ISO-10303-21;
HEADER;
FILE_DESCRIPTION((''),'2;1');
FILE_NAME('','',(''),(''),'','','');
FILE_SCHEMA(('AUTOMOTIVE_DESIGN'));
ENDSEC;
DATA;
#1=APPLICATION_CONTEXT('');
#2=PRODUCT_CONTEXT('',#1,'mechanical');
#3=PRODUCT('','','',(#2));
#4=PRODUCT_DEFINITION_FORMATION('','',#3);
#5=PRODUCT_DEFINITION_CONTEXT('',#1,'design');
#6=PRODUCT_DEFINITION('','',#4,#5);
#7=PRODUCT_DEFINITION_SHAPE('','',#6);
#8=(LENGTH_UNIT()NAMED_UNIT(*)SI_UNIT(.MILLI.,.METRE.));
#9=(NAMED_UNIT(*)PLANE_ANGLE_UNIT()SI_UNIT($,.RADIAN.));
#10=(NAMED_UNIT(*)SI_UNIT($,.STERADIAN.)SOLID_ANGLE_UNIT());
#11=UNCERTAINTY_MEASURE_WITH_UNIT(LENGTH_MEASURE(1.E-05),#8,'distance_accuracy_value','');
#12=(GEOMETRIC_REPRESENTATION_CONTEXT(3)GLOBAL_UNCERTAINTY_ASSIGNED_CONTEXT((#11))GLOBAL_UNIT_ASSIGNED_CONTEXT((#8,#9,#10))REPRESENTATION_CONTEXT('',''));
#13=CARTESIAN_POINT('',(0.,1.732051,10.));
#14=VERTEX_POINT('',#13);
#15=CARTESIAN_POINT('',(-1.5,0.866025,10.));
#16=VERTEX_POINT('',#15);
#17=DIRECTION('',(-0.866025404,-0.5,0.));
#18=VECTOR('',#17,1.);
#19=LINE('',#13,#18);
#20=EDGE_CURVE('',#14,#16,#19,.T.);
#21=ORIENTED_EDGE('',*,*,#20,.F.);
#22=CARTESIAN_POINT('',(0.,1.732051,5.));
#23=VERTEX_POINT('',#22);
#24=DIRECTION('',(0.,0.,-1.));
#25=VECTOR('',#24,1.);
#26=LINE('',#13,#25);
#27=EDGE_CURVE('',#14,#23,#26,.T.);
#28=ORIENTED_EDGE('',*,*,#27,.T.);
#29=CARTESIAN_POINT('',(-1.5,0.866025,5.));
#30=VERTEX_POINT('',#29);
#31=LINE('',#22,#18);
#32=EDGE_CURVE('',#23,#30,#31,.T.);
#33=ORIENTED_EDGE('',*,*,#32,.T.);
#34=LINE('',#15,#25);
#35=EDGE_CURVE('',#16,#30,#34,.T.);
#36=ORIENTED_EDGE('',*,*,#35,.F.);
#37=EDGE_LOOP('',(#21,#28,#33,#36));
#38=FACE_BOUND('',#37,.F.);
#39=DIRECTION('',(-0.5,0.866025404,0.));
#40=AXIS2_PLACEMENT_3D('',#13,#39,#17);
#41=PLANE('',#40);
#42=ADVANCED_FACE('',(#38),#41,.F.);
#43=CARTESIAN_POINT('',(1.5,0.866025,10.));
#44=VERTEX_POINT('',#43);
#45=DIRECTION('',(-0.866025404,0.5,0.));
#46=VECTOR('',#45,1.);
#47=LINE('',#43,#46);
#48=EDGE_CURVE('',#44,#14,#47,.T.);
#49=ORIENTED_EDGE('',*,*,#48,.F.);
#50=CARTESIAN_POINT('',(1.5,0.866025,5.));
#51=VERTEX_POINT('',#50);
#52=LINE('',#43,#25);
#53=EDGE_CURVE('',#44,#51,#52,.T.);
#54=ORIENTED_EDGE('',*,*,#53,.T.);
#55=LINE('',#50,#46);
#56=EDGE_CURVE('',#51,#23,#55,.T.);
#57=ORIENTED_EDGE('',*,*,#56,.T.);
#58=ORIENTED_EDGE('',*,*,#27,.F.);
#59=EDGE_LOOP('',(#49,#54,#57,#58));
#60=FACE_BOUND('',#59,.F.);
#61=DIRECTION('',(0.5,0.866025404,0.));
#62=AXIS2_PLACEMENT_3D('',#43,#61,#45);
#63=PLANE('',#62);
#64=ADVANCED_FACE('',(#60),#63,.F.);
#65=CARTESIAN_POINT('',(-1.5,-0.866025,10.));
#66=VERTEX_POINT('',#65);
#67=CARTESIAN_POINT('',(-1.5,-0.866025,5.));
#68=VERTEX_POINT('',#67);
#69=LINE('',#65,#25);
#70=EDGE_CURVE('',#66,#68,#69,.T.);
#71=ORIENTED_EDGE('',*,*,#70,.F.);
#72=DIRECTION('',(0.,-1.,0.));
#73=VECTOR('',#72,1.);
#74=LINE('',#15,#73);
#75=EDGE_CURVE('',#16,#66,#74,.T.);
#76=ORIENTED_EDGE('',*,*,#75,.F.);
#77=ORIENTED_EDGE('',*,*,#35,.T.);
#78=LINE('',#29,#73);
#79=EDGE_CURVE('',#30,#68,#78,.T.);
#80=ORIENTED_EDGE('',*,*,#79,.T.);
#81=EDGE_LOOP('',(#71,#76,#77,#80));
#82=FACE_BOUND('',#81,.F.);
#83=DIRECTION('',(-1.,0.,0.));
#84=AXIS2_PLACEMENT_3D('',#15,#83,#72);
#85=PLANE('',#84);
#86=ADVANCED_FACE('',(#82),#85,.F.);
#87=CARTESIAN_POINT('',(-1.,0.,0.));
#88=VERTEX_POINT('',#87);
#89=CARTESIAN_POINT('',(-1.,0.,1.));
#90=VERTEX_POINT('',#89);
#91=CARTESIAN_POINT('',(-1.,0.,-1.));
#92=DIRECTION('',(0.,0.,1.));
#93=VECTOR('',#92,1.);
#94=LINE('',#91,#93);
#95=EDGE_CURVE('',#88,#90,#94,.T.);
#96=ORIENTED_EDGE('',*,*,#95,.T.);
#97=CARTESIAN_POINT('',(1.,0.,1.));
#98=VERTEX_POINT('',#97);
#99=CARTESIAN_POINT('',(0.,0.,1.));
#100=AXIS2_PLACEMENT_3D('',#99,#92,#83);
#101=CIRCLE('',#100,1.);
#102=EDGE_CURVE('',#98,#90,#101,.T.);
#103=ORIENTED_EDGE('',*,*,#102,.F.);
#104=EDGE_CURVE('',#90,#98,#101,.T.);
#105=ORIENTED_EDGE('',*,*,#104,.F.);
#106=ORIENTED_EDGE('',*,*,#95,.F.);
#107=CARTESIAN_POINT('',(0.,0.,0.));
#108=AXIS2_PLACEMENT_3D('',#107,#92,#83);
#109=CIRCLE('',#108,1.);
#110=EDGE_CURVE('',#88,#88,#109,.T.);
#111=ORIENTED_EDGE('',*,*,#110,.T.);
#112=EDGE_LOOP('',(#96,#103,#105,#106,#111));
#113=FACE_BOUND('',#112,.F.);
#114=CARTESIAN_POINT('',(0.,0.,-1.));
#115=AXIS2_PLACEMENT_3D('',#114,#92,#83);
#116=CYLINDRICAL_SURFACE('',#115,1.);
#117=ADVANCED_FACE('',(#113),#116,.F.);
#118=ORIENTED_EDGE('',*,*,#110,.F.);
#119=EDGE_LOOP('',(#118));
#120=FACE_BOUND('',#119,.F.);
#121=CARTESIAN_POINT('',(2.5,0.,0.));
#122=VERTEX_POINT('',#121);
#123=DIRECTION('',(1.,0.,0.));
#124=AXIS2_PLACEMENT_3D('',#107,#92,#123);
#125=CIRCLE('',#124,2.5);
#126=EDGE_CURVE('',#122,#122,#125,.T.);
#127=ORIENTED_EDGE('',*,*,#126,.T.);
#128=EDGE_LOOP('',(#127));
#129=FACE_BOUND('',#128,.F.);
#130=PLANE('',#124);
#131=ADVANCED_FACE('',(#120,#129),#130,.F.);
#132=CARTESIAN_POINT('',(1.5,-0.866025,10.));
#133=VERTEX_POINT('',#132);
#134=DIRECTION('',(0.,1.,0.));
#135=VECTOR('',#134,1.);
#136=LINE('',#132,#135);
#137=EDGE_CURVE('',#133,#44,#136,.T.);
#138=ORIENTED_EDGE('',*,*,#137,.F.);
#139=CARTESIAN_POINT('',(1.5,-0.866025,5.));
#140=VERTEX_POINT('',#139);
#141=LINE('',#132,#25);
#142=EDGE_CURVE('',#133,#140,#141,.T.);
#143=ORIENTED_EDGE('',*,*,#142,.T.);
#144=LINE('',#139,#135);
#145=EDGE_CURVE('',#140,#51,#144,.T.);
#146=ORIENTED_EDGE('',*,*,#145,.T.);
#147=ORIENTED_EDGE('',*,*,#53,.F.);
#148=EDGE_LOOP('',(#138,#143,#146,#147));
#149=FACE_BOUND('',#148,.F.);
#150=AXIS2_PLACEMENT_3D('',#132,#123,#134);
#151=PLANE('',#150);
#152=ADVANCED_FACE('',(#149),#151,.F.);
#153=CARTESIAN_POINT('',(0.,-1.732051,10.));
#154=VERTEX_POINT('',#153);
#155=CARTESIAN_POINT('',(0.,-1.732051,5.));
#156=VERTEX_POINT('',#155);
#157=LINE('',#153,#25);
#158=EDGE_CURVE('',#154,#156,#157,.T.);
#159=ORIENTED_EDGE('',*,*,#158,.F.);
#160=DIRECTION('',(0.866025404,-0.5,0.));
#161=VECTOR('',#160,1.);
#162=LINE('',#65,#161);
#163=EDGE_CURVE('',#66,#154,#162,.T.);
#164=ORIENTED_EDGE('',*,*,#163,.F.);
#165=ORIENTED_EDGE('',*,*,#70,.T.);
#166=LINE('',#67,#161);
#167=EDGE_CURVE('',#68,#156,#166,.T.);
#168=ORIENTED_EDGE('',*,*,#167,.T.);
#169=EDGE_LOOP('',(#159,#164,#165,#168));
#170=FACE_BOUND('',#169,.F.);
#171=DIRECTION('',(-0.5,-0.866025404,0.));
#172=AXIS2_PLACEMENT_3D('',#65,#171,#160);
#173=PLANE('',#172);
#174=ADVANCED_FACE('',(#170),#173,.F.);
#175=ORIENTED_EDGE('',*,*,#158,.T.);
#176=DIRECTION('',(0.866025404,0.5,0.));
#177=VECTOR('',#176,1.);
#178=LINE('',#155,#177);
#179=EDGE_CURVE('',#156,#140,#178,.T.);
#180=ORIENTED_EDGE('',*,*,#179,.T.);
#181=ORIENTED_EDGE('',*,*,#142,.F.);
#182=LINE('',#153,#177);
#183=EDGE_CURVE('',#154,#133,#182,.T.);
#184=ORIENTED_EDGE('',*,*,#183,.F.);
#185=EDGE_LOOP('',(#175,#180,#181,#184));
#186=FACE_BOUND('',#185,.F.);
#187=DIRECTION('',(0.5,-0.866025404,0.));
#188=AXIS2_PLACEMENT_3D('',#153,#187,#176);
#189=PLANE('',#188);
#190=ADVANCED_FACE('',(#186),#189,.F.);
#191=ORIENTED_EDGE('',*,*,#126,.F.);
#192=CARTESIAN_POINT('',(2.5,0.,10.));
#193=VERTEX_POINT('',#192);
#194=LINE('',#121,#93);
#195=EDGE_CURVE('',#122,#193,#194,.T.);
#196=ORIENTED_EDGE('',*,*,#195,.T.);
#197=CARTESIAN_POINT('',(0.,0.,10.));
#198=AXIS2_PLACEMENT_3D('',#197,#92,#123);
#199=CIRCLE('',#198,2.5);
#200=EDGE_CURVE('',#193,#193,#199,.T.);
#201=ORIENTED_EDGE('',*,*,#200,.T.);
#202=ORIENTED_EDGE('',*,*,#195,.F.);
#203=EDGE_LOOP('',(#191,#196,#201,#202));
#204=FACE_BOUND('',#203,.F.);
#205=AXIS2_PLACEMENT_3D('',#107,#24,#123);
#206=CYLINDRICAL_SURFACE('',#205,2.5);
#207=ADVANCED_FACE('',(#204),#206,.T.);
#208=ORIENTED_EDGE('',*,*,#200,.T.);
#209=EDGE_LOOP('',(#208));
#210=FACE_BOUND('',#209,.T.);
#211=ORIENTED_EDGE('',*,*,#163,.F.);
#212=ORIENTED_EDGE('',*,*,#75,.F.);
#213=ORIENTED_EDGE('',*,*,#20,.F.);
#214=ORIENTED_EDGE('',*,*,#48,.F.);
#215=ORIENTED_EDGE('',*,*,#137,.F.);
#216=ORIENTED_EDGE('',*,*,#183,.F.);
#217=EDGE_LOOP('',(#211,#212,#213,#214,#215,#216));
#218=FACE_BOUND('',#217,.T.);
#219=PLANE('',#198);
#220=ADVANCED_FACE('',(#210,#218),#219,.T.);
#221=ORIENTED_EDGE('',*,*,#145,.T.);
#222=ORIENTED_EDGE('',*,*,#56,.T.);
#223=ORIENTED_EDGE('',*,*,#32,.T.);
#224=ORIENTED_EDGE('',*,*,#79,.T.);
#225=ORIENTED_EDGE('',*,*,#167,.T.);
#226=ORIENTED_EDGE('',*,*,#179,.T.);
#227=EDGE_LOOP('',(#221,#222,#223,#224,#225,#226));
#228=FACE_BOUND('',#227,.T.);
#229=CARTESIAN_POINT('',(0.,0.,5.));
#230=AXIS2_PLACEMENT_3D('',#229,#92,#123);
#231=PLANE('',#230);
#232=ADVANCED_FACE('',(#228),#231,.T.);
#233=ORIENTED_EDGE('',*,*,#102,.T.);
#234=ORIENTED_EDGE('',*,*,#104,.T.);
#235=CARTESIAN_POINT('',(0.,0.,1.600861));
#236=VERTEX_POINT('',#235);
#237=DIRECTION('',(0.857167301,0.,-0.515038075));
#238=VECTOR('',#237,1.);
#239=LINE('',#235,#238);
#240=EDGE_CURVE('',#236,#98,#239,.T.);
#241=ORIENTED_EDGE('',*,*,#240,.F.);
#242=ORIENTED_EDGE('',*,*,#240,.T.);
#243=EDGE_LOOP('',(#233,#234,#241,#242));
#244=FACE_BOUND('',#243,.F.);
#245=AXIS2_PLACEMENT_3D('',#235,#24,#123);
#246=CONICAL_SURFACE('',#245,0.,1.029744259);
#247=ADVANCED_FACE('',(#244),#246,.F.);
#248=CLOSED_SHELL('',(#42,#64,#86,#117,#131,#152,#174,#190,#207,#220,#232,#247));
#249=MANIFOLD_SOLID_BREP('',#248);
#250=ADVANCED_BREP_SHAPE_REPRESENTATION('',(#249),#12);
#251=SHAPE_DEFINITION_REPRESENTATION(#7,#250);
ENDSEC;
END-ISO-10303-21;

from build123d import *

# Parameters (mm, degrees)
F0_R     = 2.5
F1_DEPTH = 10
F3_DEPTH = 5
F5_D     = 2
F5_DEPTH = 1
F5_TIP   = 0.600860619


with BuildPart() as f1:
    # F0 (on Top) → F1 (new body)
    with BuildSketch(Plane.XY):
        Circle(F0_R)
    extrude(amount=F1_DEPTH)

    # F2 (on face) → F3 (cut)
    with BuildSketch(Plane.XY.offset(10)):
        Polygon((1.5, -0.8660254038), (1.5, 0.8660254038), (0, 1.7320508076), (-1.5, 0.8660254038), (-1.5, -0.8660254038), (0, -1.7320508076), align=None)
    extrude(amount=-F3_DEPTH, mode=Mode.SUBTRACT)

    # F5
    with Locations(Plane(origin=(0, 0, 0), x_dir=(1, 0, 0), z_dir=(0, 0, -1))):
        with Locations((0, 0)):
            Hole(F5_D / 2, depth=F5_DEPTH)
            with Locations((0, 0, -(F5_DEPTH + F5_TIP / 2))):  # 118° drill point
                Cone(0, F5_D / 2, F5_TIP, mode=Mode.SUBTRACT)


solid = f1.part
